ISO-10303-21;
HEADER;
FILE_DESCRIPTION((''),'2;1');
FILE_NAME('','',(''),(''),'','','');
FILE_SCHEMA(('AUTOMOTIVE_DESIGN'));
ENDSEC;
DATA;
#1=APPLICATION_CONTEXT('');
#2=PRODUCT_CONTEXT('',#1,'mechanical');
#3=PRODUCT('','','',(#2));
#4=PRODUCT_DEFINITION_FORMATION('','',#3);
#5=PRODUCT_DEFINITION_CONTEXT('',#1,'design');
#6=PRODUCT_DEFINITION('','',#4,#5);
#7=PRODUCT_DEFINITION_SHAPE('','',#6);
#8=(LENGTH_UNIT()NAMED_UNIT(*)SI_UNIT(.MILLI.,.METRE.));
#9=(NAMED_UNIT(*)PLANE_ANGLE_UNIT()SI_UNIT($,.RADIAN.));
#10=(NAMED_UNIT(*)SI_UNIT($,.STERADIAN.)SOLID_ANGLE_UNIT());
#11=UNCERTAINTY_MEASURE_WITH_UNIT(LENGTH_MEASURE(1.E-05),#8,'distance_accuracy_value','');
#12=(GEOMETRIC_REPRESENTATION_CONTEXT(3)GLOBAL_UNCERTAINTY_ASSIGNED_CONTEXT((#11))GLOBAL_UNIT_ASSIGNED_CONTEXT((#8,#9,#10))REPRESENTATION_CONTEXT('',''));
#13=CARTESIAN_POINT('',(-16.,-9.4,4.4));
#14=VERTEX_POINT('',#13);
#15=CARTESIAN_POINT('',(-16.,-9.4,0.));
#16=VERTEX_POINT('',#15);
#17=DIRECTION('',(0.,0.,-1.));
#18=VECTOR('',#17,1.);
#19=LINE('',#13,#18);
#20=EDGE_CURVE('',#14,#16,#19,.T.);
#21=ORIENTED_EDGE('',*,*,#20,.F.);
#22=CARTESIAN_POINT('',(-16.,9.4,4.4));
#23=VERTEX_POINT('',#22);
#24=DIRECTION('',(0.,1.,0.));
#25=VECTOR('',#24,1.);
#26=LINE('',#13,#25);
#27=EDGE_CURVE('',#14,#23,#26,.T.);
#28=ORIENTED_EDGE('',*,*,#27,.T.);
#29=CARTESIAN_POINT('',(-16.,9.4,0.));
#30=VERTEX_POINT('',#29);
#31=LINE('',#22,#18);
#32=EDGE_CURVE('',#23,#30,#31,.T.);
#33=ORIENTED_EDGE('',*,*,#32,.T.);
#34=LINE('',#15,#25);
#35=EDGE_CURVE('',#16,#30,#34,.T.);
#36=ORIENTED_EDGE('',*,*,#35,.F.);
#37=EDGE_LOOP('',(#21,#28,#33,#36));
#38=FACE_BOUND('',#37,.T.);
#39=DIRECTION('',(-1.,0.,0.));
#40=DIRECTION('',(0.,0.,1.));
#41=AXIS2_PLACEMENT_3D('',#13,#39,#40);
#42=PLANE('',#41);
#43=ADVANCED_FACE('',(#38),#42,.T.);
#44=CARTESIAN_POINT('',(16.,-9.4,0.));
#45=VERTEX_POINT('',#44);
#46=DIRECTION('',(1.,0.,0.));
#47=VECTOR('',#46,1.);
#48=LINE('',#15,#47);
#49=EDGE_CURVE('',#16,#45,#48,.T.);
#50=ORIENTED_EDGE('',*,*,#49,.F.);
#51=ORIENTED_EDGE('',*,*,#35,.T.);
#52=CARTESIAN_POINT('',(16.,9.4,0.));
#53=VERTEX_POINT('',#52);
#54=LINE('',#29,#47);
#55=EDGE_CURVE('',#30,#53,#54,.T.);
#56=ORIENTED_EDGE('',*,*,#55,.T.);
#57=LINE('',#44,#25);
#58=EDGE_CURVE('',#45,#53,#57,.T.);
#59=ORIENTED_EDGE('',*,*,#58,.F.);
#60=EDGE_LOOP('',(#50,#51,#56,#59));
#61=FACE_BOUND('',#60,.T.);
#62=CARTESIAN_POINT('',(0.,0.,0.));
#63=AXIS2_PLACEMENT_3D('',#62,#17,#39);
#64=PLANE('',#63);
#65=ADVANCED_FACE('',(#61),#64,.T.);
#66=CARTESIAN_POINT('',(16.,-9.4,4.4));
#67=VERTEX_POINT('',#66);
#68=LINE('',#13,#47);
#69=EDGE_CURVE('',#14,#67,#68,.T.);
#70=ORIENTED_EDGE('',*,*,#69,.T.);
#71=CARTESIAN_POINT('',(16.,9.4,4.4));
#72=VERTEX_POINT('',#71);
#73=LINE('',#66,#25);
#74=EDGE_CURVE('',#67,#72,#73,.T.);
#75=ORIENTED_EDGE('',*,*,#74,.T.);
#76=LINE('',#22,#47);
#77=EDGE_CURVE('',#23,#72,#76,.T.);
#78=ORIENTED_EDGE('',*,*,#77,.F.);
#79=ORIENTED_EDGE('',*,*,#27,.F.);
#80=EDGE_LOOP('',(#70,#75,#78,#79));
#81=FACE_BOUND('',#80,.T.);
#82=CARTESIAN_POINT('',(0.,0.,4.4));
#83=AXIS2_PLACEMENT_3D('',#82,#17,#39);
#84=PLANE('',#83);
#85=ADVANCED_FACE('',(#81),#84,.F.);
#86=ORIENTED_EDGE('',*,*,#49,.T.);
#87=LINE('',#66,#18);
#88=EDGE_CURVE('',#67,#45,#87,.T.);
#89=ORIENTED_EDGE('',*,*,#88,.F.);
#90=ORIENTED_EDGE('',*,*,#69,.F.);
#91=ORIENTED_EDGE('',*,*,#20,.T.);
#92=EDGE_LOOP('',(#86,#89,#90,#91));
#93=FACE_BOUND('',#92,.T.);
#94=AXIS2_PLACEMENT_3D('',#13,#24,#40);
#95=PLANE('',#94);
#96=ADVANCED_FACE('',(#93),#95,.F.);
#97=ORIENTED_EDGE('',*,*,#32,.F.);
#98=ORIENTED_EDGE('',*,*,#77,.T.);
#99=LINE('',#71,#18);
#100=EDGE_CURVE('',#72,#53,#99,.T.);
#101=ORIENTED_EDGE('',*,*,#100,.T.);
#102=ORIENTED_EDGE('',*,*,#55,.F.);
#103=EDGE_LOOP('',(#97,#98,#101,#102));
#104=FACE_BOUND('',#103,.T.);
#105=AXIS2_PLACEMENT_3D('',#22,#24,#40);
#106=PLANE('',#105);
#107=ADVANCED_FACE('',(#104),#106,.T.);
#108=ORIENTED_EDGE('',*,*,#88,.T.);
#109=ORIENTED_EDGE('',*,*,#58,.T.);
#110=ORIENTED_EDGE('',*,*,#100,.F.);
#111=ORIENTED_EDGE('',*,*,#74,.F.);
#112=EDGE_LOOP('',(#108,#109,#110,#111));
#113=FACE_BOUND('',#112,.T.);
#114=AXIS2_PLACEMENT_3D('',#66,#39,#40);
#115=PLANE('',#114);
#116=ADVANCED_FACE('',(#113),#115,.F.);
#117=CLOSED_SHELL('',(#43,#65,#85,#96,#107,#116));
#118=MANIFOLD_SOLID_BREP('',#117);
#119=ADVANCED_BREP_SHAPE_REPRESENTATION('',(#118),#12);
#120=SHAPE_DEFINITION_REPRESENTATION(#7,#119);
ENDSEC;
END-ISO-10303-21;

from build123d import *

# Parameters (mm, degrees)
SKETCH_1_W      = 32
SKETCH_1_H      = 18.8
EXTRUDE_1_DEPTH = 4.4


with BuildPart() as part:
    # 草图1 → 凸台-拉伸1 (new body)
    with BuildSketch(Plane.XY):
        Rectangle(SKETCH_1_W, SKETCH_1_H)
    extrude(amount=EXTRUDE_1_DEPTH)


solid = part.part
